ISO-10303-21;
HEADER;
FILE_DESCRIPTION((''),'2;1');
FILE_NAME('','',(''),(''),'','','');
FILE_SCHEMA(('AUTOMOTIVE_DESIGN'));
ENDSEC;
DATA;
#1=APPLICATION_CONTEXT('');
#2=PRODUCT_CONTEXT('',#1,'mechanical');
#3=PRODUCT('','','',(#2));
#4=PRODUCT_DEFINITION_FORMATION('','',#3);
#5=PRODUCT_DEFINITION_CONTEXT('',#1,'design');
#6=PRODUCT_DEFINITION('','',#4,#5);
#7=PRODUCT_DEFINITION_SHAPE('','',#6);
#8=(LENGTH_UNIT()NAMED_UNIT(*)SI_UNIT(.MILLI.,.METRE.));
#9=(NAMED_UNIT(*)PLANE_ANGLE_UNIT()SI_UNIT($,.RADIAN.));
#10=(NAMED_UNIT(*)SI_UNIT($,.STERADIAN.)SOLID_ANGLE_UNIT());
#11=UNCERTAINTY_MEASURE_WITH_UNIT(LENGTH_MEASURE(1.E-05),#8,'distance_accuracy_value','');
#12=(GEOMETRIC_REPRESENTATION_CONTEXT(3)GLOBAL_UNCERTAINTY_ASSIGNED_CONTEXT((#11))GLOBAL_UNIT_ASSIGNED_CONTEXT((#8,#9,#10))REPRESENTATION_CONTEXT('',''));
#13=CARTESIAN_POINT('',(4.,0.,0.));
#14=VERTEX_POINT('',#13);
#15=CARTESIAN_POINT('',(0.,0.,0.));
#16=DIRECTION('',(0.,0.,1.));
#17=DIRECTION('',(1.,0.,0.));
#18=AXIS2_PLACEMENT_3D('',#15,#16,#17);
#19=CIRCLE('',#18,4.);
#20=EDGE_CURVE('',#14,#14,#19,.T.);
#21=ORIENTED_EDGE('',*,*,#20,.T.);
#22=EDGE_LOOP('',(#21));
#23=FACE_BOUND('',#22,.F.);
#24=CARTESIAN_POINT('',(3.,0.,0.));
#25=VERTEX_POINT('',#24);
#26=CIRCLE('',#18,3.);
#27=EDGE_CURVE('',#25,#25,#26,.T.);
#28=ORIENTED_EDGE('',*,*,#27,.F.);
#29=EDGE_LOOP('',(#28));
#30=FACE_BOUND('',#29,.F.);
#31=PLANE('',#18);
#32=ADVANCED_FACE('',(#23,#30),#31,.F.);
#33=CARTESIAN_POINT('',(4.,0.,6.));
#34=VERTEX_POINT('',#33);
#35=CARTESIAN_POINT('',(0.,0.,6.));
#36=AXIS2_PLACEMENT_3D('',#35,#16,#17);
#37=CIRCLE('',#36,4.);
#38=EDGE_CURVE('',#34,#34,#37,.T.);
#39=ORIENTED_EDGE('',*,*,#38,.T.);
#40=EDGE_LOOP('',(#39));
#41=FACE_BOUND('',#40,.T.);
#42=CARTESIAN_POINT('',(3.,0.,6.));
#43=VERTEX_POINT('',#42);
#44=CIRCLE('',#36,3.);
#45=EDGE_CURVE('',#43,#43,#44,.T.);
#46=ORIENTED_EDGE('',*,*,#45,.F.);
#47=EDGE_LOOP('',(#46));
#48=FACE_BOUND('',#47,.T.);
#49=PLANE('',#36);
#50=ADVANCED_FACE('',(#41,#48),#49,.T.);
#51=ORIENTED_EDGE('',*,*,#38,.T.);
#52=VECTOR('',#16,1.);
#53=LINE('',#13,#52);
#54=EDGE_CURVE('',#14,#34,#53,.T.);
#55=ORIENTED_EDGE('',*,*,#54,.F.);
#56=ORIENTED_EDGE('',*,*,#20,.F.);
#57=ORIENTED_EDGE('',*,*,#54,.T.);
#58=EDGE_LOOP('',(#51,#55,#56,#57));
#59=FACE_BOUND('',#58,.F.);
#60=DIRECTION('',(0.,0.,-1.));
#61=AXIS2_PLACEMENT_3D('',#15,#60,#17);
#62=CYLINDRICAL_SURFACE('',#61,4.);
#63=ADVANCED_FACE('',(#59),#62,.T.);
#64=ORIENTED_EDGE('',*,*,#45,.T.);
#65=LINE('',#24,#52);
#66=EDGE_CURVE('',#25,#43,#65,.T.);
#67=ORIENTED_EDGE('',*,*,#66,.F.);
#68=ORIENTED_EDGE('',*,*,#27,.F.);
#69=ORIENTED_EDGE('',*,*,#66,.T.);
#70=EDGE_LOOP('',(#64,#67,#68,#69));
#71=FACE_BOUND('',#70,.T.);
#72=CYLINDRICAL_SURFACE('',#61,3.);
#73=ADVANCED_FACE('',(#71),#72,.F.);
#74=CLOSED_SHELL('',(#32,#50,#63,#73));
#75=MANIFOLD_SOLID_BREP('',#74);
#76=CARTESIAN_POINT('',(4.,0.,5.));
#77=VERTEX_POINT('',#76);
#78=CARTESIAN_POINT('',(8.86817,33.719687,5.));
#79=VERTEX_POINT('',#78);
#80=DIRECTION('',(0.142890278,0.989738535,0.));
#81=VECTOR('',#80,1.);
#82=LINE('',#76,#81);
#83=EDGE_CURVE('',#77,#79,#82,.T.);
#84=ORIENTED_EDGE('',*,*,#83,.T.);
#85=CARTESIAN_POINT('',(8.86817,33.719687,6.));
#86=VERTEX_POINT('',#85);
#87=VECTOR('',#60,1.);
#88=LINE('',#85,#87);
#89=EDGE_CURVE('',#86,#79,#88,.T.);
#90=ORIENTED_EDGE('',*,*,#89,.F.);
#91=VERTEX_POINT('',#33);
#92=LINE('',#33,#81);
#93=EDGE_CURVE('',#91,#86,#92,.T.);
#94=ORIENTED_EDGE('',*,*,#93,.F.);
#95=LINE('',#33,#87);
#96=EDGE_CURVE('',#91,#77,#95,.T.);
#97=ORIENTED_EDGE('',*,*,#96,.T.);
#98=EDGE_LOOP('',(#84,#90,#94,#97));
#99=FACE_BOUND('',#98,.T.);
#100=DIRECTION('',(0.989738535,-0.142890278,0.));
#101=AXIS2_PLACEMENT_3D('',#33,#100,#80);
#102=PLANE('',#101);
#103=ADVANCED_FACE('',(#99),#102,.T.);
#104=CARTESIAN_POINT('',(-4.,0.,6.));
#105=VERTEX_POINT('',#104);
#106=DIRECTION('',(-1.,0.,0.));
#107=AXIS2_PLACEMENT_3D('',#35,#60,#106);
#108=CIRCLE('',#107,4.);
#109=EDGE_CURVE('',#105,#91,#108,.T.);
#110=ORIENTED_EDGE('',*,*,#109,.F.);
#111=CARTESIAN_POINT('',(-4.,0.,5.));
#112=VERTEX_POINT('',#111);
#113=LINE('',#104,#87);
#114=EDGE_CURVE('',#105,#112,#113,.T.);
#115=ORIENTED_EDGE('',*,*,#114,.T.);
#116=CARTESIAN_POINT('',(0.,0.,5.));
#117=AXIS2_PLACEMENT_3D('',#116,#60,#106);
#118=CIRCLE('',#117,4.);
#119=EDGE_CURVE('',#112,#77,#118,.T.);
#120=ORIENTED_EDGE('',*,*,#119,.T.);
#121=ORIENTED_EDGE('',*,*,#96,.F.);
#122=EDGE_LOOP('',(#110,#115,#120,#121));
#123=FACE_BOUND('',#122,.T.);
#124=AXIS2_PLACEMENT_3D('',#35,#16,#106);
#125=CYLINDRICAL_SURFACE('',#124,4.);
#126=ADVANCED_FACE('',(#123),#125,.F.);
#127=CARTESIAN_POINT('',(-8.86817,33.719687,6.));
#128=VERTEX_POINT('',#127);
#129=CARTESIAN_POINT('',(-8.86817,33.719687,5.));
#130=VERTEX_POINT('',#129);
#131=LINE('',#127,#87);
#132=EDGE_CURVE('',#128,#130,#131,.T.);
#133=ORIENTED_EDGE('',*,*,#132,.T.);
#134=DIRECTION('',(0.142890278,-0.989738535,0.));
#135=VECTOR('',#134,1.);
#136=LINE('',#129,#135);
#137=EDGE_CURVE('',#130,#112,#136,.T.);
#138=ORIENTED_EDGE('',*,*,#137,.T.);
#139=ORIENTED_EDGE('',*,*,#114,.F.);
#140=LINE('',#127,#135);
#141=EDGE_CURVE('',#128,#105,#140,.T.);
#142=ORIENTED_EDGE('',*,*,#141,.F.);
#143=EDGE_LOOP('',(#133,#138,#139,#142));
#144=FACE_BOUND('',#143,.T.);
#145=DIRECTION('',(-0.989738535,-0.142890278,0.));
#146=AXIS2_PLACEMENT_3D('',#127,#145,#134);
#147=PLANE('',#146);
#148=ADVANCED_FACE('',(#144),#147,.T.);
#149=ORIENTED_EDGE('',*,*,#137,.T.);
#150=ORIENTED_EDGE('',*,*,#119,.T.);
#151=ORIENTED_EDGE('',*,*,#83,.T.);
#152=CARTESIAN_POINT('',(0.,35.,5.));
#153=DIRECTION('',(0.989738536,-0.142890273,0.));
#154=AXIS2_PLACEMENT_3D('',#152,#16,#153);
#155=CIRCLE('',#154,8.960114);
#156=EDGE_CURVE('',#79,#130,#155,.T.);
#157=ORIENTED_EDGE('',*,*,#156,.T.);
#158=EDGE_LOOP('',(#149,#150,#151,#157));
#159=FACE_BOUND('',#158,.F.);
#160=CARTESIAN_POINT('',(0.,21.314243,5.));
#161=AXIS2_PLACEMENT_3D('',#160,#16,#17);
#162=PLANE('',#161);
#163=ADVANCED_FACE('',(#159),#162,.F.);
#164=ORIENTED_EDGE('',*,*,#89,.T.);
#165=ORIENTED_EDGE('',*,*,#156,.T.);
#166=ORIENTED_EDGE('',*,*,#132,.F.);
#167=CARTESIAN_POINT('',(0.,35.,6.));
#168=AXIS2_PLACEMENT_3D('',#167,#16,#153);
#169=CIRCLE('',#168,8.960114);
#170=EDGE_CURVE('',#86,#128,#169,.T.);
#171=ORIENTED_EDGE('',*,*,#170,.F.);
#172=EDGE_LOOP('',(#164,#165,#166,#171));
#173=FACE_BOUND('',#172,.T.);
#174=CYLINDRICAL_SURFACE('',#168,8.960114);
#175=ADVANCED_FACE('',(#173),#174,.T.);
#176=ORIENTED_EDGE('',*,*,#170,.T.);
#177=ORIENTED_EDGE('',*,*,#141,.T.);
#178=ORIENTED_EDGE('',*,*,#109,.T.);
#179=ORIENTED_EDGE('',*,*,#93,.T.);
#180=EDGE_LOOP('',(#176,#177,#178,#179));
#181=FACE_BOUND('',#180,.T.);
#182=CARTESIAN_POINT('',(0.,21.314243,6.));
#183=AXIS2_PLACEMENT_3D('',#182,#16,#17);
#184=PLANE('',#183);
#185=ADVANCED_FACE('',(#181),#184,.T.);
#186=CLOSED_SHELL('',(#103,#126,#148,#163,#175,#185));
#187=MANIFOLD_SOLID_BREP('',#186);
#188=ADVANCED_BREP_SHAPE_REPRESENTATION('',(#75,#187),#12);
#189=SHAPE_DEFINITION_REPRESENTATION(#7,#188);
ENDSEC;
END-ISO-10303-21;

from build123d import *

# Parameters (mm, degrees)
F0_R     = 4
F0_R_2   = 3
F1_DEPTH = 6
F3_DEPTH = 1


with BuildPart() as f1:
    # F0 (on Top) → F1 (new body)
    with BuildSketch(Plane.XY):
        Circle(F0_R)
        Circle(F0_R_2, mode=Mode.SUBTRACT)
    extrude(amount=F1_DEPTH)


with BuildPart() as f3:
    # F2 (on face) → F3 (new body)
    with BuildSketch(Plane.XY.offset(6)):
        with BuildLine():
            Line((-8.86817, 33.719687), (-4, 0))
            ThreePointArc((-4, 0), (0, 4), (4, 0))
            Line((4, 0), (8.86817, 33.719687))
            ThreePointArc((8.86817, 33.719687), (0, 43.960114), (-8.86817, 33.719687))
        make_face()
    extrude(amount=-F3_DEPTH)


solid = Compound([f1.part, f3.part])
